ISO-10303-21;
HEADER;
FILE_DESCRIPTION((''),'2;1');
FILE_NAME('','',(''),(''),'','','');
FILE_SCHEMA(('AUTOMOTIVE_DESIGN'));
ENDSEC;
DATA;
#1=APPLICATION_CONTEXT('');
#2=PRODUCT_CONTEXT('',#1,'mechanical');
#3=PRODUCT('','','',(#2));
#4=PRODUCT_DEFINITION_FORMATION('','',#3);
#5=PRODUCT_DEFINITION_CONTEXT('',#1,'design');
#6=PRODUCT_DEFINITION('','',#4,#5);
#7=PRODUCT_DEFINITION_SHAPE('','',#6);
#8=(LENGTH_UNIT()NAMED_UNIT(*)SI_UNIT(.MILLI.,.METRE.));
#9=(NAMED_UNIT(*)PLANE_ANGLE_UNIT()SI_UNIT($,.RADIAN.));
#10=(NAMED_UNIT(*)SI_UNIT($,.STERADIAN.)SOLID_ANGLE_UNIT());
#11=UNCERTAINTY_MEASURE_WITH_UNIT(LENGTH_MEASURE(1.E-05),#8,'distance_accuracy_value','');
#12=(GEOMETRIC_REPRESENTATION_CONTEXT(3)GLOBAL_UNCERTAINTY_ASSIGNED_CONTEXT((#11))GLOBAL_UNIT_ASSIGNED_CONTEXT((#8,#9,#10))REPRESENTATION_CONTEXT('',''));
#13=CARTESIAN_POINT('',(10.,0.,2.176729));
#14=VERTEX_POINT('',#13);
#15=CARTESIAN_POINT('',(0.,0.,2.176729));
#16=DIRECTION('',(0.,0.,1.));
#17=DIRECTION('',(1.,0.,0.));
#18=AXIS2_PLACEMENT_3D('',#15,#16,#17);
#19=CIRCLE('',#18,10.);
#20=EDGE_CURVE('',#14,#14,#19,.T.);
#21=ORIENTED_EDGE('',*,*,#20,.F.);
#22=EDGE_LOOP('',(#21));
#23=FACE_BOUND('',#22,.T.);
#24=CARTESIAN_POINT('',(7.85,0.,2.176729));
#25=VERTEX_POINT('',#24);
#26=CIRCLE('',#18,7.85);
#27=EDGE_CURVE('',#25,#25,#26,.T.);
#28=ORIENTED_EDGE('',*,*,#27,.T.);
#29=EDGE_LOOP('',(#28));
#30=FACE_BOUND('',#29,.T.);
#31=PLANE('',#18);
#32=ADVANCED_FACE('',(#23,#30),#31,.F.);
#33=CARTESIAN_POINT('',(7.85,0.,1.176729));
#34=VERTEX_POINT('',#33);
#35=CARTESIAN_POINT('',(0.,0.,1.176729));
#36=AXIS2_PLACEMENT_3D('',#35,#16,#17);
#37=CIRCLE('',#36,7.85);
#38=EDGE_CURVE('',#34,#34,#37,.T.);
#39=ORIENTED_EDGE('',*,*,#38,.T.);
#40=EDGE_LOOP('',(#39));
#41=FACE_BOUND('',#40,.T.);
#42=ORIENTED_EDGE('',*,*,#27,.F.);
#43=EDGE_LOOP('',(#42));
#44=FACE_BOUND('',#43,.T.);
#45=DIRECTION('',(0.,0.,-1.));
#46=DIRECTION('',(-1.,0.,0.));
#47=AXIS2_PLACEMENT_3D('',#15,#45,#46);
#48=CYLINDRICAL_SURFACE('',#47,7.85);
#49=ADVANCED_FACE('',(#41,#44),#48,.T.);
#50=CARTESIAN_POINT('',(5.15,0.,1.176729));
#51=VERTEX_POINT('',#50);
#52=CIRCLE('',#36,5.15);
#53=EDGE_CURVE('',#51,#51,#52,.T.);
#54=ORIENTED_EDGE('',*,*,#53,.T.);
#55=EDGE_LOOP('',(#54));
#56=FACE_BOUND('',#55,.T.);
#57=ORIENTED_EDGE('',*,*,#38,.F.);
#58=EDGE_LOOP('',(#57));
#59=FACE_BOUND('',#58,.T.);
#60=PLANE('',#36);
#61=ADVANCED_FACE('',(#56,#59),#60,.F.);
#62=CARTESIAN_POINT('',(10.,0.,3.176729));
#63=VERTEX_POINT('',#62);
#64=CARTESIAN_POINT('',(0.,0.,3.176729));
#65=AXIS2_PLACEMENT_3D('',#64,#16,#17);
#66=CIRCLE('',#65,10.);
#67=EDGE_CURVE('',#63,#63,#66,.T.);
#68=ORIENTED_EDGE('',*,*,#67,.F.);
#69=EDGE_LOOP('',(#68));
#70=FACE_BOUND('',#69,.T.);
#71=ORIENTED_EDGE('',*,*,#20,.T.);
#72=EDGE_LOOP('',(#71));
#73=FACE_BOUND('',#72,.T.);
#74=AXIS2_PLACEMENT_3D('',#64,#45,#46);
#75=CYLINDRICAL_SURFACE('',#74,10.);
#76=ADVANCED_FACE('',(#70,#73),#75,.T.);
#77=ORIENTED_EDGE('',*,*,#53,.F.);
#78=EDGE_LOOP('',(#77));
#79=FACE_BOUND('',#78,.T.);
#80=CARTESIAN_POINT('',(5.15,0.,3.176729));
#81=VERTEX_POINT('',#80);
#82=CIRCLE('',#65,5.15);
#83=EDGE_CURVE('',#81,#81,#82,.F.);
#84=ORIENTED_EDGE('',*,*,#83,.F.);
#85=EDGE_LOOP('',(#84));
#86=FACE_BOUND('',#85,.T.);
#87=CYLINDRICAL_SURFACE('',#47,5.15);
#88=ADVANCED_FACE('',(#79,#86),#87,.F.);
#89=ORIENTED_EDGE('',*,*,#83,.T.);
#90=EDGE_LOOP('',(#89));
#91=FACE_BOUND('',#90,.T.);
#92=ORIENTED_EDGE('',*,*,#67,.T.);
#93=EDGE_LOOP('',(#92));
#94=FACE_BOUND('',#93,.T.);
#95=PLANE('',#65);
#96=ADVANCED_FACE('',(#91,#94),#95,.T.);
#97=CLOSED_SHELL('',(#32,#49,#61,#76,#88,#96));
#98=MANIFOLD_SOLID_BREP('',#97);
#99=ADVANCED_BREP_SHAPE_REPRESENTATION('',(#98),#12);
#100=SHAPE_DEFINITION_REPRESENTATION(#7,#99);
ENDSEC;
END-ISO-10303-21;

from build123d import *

# Parameters (mm, degrees)
ESQUISSE1_R        = 15.7
ESQUISSE1_R_2      = 10.3
BOSS_EXTRU_1_DEPTH = 2
ESQUISSE2_R        = 20
ESQUISSE2_R_2      = 15.7
ESQUISSE2_R_3      = 10.3
BOSS_EXTRU_3_DEPTH = 2
ECHELLE1_SCALE     = 2
ECHELLE2_SCALE     = 0.25


with BuildPart() as part:
    # Esquisse1 → Boss.-Extru.1 (new body)
    with BuildSketch(Plane.XY):
        Circle(ESQUISSE1_R)
        Circle(ESQUISSE1_R_2, mode=Mode.SUBTRACT)
    extrude(amount=BOSS_EXTRU_1_DEPTH)

    # Esquisse2 → Boss.-Extru.3 (add)
    # profile 1 of 2: a face of its own
    with BuildSketch(Plane.XY.offset(2)):
        Circle(ESQUISSE2_R)
        Circle(ESQUISSE2_R_2, mode=Mode.SUBTRACT)
    # profile 2 of 2: a face of its own
    with BuildSketch(Plane.XY.offset(2)):
        Circle(ESQUISSE2_R_2)
        Circle(ESQUISSE2_R_3, mode=Mode.SUBTRACT)
    extrude(amount=BOSS_EXTRU_3_DEPTH)


with BuildPart() as part_1:
    # Echelle1: scaled about (0, 0, 2.353457208)
    add(part.part.scale(ECHELLE1_SCALE).moved(Location((0, 0, -2.353457208))))


with BuildPart() as part_2:
    # Echelle2: scaled about (0, 0, 2.353457208)
    add(part_1.part.scale(ECHELLE2_SCALE).moved(Location((0, 0, 1.765092906))))


solid = part_2.part
